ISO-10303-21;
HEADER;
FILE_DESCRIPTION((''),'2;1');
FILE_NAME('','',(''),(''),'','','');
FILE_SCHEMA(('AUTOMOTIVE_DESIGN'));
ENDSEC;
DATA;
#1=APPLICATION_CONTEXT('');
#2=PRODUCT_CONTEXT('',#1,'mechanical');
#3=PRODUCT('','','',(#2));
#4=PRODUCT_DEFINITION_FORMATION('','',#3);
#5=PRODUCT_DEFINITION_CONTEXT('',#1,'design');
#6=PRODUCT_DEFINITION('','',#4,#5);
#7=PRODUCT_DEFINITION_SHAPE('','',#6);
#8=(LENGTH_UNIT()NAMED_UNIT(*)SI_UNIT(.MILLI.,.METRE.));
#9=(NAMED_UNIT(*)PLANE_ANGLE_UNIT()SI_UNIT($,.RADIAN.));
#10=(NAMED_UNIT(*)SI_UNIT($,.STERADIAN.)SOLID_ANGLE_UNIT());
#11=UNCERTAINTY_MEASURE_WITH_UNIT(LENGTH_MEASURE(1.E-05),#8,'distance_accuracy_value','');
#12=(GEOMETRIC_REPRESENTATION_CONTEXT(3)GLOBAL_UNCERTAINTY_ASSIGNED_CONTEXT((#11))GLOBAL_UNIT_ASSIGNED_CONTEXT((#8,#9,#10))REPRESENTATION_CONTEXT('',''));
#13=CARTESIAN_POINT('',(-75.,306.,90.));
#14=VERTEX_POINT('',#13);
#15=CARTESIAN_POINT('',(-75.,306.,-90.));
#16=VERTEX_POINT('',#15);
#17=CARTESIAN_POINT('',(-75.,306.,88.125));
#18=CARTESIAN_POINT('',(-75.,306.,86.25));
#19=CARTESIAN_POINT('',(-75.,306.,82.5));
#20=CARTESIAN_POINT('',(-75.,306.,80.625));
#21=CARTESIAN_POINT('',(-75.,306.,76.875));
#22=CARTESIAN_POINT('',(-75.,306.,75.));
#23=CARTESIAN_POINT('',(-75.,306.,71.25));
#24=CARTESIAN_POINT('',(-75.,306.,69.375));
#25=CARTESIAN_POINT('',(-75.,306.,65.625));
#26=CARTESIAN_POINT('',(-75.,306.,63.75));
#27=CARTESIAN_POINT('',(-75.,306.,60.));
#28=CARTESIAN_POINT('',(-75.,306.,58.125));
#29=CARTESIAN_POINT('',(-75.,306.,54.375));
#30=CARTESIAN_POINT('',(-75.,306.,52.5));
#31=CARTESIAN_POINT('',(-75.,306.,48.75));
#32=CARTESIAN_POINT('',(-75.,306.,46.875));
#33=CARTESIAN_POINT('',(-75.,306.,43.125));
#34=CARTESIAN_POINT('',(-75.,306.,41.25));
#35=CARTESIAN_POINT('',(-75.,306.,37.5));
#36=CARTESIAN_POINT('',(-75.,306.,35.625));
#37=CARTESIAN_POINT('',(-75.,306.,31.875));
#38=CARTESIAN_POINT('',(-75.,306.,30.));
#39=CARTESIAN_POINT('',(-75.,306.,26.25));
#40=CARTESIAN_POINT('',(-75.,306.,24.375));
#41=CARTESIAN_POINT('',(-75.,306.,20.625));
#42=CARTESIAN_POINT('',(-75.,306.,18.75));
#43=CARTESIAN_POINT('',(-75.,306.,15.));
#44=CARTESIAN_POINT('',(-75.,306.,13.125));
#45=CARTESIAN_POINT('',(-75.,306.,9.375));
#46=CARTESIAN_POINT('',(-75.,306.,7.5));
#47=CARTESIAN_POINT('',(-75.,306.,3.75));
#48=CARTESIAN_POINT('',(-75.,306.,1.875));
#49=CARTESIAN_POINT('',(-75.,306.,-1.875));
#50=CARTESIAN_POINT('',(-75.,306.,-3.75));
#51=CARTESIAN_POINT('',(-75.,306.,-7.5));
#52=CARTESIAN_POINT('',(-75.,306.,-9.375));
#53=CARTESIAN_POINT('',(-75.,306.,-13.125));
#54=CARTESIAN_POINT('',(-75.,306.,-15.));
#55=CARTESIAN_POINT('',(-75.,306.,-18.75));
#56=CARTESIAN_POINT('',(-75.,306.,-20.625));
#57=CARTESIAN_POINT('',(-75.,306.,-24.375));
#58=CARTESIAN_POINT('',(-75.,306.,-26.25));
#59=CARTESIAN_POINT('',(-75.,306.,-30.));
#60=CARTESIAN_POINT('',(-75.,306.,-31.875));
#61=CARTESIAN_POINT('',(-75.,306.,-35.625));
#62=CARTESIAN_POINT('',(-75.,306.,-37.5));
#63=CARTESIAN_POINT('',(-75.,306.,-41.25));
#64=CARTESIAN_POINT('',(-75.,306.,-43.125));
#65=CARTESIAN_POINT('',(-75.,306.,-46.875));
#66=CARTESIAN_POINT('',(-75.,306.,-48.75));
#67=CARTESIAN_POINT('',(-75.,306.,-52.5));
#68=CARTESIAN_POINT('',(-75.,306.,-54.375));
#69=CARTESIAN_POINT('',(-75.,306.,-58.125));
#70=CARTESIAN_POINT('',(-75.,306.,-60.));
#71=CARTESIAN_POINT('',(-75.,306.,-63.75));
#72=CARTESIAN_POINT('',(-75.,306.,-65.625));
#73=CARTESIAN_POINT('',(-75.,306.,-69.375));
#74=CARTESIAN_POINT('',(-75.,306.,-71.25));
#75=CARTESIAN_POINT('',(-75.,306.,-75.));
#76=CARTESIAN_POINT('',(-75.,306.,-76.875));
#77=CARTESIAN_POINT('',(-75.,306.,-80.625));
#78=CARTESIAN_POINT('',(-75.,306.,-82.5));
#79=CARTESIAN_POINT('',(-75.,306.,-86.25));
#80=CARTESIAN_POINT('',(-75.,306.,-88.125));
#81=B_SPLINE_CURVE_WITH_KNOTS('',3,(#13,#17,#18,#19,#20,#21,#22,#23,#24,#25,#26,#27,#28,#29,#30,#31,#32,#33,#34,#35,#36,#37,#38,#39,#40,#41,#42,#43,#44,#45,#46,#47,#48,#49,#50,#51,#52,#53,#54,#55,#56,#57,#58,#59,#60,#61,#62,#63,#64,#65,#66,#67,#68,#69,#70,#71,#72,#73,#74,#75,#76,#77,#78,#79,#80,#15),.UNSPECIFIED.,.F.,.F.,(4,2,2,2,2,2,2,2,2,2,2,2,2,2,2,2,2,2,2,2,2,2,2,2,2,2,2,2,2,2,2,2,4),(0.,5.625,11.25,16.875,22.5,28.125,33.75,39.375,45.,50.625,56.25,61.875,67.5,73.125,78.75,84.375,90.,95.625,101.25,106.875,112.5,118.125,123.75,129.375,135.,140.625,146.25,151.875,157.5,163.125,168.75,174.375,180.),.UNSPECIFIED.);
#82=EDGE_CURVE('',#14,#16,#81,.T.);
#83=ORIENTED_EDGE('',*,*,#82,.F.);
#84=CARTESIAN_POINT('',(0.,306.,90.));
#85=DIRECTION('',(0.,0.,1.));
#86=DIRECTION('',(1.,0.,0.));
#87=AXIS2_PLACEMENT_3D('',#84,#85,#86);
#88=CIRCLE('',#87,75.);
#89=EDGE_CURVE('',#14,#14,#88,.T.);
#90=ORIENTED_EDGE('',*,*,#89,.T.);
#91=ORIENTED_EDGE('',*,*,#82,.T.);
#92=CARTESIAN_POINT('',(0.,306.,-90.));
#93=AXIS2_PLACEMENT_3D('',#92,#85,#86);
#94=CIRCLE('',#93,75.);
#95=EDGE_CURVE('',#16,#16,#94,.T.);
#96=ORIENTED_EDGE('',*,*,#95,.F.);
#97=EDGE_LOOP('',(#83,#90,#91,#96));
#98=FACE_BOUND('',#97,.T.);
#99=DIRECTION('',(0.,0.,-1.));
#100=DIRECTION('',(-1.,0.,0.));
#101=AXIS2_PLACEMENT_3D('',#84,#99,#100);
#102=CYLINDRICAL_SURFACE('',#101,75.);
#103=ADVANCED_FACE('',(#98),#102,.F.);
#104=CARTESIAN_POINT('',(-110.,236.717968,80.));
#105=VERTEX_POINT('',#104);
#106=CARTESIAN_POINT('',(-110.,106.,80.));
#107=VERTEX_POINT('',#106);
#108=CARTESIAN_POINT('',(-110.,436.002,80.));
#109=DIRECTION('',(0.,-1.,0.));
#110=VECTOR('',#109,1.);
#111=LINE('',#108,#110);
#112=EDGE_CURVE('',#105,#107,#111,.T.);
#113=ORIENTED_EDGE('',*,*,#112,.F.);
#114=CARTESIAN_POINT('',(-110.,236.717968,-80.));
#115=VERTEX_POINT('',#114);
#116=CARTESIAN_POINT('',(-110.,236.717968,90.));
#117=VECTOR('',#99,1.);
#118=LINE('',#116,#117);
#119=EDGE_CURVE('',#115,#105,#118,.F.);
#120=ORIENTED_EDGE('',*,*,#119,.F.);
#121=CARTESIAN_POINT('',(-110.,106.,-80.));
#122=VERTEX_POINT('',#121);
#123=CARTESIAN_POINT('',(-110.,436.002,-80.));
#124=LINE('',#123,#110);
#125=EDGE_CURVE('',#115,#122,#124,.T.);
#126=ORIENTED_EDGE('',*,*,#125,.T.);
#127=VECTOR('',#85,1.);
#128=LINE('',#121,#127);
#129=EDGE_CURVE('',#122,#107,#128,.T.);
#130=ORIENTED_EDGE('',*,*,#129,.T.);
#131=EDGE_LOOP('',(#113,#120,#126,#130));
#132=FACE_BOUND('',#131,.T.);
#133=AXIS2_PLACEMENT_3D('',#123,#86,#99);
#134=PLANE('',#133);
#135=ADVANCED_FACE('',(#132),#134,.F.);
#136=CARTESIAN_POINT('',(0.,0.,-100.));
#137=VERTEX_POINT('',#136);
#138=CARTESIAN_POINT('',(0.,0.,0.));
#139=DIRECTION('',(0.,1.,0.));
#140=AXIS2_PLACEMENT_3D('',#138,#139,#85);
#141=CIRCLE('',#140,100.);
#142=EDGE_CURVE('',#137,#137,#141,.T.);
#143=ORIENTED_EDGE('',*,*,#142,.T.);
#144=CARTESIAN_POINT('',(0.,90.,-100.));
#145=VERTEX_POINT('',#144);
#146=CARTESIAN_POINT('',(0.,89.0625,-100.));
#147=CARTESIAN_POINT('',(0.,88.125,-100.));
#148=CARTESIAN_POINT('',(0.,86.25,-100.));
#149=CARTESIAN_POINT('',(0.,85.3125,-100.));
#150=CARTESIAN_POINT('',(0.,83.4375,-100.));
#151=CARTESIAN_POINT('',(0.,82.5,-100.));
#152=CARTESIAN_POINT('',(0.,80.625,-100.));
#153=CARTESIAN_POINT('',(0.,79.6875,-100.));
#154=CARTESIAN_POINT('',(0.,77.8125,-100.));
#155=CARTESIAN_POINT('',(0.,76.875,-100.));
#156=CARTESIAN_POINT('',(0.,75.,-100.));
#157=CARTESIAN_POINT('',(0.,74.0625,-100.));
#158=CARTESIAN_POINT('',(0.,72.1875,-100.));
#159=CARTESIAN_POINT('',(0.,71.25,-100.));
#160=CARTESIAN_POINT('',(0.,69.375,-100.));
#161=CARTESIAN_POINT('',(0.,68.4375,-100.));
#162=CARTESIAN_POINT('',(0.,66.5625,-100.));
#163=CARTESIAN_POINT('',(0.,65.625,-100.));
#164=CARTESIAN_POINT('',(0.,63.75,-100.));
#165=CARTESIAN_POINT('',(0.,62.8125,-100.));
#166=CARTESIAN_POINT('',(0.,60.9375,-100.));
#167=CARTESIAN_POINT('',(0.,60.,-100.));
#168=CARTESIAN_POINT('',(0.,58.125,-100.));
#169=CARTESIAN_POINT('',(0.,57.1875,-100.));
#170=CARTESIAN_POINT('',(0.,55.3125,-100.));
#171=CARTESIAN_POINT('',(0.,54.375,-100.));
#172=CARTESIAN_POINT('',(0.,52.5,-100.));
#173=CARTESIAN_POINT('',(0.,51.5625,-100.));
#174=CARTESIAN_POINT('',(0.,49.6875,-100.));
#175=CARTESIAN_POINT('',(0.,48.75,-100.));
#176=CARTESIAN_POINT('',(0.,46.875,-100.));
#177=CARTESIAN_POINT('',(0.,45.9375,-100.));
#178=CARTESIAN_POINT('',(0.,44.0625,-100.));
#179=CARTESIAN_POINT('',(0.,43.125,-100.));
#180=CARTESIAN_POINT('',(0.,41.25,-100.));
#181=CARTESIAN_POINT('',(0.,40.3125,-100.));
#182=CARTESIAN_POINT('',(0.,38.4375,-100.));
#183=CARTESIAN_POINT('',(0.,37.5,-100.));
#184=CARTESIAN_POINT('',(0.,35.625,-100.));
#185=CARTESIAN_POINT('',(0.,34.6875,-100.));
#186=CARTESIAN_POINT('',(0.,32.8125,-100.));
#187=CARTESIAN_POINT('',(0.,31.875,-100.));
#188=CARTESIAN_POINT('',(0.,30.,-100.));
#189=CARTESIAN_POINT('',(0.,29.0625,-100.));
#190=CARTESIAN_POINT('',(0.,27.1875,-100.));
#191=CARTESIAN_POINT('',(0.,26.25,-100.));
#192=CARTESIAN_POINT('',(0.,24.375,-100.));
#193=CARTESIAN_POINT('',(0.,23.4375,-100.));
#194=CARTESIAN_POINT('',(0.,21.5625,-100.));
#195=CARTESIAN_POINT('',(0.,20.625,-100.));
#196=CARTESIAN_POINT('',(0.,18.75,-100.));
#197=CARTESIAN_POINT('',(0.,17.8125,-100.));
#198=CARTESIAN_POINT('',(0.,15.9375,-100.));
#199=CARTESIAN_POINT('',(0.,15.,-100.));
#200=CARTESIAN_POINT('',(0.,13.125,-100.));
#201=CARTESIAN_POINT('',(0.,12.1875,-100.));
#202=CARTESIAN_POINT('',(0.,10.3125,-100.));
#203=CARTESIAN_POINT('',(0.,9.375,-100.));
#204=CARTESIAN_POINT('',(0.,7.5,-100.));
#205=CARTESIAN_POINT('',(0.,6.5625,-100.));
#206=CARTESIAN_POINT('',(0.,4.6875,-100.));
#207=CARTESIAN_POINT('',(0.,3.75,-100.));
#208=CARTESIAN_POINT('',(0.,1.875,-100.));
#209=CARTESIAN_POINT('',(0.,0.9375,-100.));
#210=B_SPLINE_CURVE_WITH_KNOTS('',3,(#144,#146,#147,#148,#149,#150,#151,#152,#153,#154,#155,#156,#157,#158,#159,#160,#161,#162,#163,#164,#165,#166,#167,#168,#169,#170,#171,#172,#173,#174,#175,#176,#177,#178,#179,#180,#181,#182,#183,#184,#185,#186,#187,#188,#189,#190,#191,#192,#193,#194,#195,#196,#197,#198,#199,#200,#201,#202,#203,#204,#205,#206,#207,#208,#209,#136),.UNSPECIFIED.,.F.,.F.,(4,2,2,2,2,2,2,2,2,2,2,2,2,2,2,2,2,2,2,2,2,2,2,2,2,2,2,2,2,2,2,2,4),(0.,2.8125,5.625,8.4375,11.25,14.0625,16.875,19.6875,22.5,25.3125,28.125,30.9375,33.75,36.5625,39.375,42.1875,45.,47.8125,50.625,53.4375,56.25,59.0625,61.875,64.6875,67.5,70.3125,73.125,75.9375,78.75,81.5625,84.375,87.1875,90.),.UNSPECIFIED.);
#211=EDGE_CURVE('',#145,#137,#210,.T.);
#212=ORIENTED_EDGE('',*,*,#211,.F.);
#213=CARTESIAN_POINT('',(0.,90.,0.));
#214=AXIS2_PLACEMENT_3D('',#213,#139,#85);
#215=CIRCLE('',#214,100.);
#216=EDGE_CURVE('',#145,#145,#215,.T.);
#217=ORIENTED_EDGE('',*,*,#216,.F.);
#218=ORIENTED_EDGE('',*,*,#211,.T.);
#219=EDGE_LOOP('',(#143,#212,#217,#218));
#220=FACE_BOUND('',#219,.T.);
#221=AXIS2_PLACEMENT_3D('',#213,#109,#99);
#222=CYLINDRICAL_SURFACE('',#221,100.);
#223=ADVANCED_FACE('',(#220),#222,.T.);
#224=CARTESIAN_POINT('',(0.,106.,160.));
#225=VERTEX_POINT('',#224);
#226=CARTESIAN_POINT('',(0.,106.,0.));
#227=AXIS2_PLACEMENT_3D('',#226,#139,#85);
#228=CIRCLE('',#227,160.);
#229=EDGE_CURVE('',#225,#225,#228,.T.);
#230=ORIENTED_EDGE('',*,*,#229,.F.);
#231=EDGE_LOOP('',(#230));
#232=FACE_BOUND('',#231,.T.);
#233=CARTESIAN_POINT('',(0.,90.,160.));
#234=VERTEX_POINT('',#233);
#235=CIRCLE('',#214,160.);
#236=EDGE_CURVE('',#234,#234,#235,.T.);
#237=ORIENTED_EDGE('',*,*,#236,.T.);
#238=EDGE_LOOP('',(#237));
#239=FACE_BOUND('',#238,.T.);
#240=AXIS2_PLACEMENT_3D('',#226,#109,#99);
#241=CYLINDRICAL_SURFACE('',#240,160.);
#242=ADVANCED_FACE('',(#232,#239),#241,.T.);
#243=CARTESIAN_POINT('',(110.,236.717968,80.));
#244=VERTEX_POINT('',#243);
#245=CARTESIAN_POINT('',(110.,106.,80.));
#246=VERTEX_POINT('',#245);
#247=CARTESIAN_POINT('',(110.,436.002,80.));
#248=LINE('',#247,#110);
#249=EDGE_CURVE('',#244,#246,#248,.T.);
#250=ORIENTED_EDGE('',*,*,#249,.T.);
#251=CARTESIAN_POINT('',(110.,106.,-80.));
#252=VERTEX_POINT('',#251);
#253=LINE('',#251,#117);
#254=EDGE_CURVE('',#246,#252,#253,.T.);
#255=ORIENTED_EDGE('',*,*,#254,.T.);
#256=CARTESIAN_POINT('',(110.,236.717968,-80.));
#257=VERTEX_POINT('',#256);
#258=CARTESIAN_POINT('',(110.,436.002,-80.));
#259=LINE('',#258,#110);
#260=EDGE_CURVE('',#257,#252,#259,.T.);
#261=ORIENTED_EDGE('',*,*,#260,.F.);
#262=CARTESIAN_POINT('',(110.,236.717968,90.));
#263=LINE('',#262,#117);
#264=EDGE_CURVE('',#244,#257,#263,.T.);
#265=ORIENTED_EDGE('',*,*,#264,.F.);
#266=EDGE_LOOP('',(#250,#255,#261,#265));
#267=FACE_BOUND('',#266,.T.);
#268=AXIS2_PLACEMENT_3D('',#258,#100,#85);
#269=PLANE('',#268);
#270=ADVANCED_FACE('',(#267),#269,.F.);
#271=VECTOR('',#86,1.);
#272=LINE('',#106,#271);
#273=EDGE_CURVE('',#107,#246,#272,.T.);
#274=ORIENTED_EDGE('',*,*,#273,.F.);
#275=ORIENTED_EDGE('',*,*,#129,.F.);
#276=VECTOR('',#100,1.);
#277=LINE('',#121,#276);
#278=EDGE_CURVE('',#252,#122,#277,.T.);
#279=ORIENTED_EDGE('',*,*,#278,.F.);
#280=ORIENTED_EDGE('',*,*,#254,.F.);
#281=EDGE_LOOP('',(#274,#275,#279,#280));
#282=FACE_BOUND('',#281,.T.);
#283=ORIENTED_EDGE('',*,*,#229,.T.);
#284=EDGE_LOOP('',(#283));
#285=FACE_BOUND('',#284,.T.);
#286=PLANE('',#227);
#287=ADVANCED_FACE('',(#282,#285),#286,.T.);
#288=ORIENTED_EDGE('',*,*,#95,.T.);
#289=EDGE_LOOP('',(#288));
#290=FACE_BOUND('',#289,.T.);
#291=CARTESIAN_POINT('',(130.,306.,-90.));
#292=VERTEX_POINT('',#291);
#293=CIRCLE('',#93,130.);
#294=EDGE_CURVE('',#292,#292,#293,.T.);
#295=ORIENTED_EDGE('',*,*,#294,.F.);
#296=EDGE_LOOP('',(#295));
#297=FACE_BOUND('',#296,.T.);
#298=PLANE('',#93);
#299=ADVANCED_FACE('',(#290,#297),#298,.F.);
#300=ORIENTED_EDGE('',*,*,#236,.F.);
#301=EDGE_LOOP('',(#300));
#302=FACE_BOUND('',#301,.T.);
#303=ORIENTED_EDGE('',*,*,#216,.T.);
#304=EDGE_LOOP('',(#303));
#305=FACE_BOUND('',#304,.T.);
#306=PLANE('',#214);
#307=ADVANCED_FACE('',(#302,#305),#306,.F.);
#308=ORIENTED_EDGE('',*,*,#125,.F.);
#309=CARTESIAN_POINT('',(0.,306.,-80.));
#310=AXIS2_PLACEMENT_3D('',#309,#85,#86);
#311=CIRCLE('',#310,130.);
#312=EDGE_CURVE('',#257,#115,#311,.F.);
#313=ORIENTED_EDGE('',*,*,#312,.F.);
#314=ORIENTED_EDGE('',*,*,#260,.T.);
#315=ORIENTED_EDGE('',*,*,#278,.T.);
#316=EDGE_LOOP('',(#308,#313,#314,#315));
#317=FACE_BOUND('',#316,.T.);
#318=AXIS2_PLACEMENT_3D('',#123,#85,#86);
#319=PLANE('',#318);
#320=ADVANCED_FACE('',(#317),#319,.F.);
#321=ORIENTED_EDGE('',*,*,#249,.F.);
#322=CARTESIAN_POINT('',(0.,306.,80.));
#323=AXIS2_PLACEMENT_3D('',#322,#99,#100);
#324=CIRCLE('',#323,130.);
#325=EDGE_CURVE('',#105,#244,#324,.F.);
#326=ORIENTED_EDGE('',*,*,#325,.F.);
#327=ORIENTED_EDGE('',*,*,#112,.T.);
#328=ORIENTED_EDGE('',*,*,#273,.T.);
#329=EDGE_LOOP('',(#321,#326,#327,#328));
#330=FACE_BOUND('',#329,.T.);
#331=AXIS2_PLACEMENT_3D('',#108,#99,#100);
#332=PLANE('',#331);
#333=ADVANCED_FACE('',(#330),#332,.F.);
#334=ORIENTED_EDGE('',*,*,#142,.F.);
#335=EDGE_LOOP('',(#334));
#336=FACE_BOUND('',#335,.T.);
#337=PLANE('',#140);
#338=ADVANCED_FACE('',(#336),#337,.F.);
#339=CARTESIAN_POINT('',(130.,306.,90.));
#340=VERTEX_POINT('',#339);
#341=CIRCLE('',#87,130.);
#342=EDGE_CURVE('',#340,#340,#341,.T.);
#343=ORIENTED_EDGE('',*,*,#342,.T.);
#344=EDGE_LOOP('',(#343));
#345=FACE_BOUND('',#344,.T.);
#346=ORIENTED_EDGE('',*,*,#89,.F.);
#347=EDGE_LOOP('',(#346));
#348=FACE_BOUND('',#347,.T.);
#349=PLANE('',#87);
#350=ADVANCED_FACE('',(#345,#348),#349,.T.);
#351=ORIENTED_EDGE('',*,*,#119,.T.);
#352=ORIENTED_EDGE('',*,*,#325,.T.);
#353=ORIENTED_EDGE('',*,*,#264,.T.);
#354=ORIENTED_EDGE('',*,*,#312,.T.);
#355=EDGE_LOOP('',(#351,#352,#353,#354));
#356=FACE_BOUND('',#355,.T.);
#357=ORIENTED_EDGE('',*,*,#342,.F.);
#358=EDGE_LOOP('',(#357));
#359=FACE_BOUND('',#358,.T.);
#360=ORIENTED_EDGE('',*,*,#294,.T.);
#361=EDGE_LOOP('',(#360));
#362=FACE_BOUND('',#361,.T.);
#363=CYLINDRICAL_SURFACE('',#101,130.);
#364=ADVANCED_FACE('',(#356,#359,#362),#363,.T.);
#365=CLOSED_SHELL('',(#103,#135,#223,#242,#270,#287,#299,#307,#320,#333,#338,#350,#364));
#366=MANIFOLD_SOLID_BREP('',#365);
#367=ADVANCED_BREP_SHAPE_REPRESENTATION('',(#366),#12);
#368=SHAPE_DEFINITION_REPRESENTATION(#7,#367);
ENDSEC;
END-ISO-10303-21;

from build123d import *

# Parameters (mm, degrees)
SKETCH1_R                = 100
BOSS_EXTRUDE1_DEPTH      = 90
SKETCH2_R                = 160
BOSS_EXTRUDE2_DEPTH      = 16
SKETCH3_R                = 130
SKETCH3_R_2              = 75
BOSS_EXTRUDE3_DEPTH      = 90
BOSS_EXTRUDE4_REACH      = 402.125
BOSS_EXTRUDE4_END_RADIUS = 130
SKETCH4_W                = 220
SKETCH4_H                = 160


with BuildPart() as part:
    # Sketch1 → Boss-Extrude1 (new body)
    with BuildSketch(Plane(origin=(0, 0, 0), x_dir=(1, 0, 0), z_dir=(0, 1, 0))):
        with Locations(Location((0, 0, 0), (0, 0, 90))):
            Circle(SKETCH1_R)
    extrude(amount=BOSS_EXTRUDE1_DEPTH)

    # Sketch2 → Boss-Extrude2 (add)
    with BuildSketch(Plane(origin=(0, 90, 0), x_dir=(1, 0, 0), z_dir=(0, 1, 0))):
        with Locations(Location((0, 0, 0), (0, 0, 270))):
            Circle(SKETCH2_R)
    extrude(amount=BOSS_EXTRUDE2_DEPTH)



with BuildPart() as body_2:
    # Sketch3 → Boss-Extrude3 (new, symmetric)
    with BuildSketch(Plane.XY):
        with Locations(Location((0, 306, 0), (0, 0, 180))):
            Circle(SKETCH3_R)
        with Locations(Location((0, 306, 0), (0, 0, 180))):
            Circle(SKETCH3_R_2, mode=Mode.SUBTRACT)
    extrude(amount=BOSS_EXTRUDE3_DEPTH, both=True)


with BuildPart() as part_1:
    add(part.part)

    add(body_2.part)  # Boss-Extrude4 merges body 2
    # Boss-Extrude4: up to this cylinder (the profile starts outside it)
    boss_extrude4_end = Plane(origin=(0, 306, 0), z_dir=(0, 0, -1)) * Cylinder(BOSS_EXTRUDE4_END_RADIUS, 1065.25, mode=Mode.PRIVATE)
    # Sketch4 → Boss-Extrude4 (add, up to the surface)
    with BuildSketch(Plane(origin=(0, 106, 0), x_dir=(1, 0, 0), z_dir=(0, 1, 0)), mode=Mode.PRIVATE) as boss_extrude4_sk1:
        Rectangle(SKETCH4_W, SKETCH4_H)
    boss_extrude4_tool1 = extrude(boss_extrude4_sk1.sketch, amount=BOSS_EXTRUDE4_REACH, mode=Mode.PRIVATE) - boss_extrude4_end
    add(boss_extrude4_tool1.solids().sort_by_distance((0, 106, 0))[0])


solid = part_1.part
